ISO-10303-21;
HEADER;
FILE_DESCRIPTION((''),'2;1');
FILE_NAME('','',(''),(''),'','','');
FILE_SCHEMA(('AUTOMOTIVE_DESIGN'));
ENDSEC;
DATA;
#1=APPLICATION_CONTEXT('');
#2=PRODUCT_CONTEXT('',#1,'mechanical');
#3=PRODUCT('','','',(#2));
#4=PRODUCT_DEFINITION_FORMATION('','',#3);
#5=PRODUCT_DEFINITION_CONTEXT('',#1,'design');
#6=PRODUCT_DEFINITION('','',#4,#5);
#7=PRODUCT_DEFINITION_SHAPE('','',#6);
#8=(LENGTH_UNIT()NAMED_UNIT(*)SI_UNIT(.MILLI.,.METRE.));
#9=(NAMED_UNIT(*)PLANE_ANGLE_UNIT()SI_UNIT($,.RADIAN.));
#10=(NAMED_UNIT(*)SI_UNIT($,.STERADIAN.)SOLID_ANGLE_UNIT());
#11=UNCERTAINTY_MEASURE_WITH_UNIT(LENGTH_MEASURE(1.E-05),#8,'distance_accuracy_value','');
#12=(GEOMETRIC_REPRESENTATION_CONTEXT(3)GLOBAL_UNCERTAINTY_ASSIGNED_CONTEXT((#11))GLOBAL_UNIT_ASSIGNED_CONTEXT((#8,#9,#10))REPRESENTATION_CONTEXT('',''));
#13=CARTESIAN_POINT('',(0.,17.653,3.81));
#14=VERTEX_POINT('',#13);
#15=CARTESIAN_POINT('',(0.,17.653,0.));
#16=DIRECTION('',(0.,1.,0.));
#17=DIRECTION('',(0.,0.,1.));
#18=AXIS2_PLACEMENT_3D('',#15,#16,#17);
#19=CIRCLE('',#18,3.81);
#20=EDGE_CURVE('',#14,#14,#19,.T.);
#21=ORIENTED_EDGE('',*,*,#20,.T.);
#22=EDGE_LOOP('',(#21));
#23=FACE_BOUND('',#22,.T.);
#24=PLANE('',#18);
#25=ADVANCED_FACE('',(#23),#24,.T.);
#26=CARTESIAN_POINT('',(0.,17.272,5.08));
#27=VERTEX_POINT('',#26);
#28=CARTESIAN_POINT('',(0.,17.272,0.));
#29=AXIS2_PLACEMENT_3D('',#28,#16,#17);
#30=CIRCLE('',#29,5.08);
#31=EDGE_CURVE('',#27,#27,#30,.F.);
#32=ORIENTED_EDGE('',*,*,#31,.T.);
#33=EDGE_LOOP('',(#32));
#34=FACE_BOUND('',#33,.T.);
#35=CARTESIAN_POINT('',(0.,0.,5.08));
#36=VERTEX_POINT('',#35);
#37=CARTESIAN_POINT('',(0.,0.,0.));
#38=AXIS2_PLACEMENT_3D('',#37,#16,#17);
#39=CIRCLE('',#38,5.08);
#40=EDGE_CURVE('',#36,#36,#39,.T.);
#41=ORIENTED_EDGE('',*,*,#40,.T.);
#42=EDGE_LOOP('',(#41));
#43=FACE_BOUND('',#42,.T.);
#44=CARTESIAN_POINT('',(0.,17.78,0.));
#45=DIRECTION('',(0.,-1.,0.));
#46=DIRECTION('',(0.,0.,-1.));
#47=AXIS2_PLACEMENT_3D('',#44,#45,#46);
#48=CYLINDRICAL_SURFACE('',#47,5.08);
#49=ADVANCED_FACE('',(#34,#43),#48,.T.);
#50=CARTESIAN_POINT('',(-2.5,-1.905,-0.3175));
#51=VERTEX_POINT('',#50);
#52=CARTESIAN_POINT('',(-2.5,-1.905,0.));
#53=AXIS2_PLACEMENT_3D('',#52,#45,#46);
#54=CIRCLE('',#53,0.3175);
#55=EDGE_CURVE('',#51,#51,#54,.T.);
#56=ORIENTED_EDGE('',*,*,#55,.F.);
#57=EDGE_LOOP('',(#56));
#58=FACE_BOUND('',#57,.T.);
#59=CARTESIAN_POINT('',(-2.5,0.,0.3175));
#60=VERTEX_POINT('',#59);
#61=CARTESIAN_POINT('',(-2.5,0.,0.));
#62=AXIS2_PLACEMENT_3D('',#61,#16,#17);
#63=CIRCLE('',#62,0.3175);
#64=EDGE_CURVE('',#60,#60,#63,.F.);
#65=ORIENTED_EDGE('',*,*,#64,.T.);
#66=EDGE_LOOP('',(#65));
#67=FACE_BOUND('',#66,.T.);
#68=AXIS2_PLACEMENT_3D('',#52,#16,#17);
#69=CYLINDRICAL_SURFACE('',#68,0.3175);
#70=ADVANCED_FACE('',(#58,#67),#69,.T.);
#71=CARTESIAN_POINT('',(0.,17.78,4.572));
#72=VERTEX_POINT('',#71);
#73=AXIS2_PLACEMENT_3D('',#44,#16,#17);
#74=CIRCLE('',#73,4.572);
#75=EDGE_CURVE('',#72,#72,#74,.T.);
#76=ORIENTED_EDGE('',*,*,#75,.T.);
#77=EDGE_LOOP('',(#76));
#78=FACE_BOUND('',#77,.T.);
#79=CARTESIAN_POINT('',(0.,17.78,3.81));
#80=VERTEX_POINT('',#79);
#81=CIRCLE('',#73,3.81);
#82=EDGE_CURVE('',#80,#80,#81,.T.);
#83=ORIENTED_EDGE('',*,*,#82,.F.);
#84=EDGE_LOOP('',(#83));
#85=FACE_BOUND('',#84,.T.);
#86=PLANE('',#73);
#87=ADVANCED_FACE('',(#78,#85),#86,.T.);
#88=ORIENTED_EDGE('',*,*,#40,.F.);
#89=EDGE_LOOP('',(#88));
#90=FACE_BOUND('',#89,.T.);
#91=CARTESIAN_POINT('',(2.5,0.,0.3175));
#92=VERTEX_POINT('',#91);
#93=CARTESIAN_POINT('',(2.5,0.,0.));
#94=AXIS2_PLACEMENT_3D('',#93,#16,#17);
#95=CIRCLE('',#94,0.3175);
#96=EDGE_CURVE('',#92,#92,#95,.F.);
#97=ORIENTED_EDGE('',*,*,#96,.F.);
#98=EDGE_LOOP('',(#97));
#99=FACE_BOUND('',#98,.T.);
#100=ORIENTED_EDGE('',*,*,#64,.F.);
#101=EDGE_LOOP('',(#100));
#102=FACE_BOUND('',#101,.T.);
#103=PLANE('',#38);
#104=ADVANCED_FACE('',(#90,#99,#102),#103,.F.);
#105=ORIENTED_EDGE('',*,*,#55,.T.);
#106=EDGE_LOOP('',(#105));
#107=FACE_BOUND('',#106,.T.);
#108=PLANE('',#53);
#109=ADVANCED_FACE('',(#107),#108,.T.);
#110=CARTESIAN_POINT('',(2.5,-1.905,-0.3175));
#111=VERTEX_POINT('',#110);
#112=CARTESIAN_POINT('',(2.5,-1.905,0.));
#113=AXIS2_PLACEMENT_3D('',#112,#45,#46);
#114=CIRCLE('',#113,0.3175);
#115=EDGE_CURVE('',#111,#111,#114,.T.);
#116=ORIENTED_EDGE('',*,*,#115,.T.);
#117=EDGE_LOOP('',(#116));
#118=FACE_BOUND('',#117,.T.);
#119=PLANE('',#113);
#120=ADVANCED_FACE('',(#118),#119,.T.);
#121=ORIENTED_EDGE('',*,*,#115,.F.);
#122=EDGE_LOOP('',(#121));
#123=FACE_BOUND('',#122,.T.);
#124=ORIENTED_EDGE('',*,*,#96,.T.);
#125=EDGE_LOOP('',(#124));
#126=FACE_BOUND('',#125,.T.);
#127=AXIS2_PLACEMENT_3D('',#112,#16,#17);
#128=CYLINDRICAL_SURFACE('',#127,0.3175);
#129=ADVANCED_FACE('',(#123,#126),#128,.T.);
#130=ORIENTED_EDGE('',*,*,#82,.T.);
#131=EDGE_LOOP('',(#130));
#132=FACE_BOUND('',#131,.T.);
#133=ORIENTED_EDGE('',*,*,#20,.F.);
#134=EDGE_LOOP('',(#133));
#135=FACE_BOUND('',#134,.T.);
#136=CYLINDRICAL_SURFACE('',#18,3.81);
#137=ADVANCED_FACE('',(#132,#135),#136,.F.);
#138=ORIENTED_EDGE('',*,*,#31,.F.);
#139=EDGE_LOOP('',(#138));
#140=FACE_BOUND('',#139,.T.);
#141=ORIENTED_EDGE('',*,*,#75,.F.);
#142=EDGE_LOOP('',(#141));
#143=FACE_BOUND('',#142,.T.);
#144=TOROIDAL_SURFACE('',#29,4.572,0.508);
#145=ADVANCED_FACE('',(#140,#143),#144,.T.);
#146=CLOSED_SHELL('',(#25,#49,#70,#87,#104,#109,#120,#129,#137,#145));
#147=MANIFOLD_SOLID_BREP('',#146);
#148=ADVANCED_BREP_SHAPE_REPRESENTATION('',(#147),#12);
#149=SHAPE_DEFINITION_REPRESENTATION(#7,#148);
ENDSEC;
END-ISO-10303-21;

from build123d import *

# Parameters (mm, degrees)
SKETCH1_R           = 5.08
BOSS_EXTRUDE1_DEPTH = 17.78
SKETCH2_R           = 0.3175
BOSS_EXTRUDE2_DEPTH = 1.905
SKETCH3_R           = 3.81
CUT_EXTRUDE1_DEPTH  = 0.127
FILLET1_R           = 0.508


with BuildPart() as part:
    # Sketch1 → Boss-Extrude1 (new body)
    with BuildSketch(Plane(origin=(0, 0, 0), x_dir=(1, 0, 0), z_dir=(0, 1, 0))):
        with Locations(Location((0, 0, 0), (0, 0, 270))):
            Circle(SKETCH1_R)
    extrude(amount=BOSS_EXTRUDE1_DEPTH)

    # Sketch2 → Boss-Extrude2 (add)
    with BuildSketch(Plane.XZ):
        with Locations(Location((-2.5, 0, 0), (0, 0, 90))):
            Circle(SKETCH2_R)
        with Locations(Location((2.5, 0, 0), (0, 0, 90))):
            Circle(SKETCH2_R)
    extrude(amount=BOSS_EXTRUDE2_DEPTH)

    # Sketch3 → Cut-Extrude1 (cut)
    with BuildSketch(Plane(origin=(0, 17.78, 0), x_dir=(1, 0, 0), z_dir=(0, 1, 0))):
        with Locations(Location((0, 0, 0), (0, 0, 270))):
            Circle(SKETCH3_R)
    extrude(amount=-CUT_EXTRUDE1_DEPTH, mode=Mode.SUBTRACT)

    # Fillet1
    fillet1_edges = [part.edges().sort_by_distance(p)[0] for p in [
        (0, 17.78, -5.08),
    ]]
    fillet(fillet1_edges, radius=FILLET1_R)


solid = part.part
